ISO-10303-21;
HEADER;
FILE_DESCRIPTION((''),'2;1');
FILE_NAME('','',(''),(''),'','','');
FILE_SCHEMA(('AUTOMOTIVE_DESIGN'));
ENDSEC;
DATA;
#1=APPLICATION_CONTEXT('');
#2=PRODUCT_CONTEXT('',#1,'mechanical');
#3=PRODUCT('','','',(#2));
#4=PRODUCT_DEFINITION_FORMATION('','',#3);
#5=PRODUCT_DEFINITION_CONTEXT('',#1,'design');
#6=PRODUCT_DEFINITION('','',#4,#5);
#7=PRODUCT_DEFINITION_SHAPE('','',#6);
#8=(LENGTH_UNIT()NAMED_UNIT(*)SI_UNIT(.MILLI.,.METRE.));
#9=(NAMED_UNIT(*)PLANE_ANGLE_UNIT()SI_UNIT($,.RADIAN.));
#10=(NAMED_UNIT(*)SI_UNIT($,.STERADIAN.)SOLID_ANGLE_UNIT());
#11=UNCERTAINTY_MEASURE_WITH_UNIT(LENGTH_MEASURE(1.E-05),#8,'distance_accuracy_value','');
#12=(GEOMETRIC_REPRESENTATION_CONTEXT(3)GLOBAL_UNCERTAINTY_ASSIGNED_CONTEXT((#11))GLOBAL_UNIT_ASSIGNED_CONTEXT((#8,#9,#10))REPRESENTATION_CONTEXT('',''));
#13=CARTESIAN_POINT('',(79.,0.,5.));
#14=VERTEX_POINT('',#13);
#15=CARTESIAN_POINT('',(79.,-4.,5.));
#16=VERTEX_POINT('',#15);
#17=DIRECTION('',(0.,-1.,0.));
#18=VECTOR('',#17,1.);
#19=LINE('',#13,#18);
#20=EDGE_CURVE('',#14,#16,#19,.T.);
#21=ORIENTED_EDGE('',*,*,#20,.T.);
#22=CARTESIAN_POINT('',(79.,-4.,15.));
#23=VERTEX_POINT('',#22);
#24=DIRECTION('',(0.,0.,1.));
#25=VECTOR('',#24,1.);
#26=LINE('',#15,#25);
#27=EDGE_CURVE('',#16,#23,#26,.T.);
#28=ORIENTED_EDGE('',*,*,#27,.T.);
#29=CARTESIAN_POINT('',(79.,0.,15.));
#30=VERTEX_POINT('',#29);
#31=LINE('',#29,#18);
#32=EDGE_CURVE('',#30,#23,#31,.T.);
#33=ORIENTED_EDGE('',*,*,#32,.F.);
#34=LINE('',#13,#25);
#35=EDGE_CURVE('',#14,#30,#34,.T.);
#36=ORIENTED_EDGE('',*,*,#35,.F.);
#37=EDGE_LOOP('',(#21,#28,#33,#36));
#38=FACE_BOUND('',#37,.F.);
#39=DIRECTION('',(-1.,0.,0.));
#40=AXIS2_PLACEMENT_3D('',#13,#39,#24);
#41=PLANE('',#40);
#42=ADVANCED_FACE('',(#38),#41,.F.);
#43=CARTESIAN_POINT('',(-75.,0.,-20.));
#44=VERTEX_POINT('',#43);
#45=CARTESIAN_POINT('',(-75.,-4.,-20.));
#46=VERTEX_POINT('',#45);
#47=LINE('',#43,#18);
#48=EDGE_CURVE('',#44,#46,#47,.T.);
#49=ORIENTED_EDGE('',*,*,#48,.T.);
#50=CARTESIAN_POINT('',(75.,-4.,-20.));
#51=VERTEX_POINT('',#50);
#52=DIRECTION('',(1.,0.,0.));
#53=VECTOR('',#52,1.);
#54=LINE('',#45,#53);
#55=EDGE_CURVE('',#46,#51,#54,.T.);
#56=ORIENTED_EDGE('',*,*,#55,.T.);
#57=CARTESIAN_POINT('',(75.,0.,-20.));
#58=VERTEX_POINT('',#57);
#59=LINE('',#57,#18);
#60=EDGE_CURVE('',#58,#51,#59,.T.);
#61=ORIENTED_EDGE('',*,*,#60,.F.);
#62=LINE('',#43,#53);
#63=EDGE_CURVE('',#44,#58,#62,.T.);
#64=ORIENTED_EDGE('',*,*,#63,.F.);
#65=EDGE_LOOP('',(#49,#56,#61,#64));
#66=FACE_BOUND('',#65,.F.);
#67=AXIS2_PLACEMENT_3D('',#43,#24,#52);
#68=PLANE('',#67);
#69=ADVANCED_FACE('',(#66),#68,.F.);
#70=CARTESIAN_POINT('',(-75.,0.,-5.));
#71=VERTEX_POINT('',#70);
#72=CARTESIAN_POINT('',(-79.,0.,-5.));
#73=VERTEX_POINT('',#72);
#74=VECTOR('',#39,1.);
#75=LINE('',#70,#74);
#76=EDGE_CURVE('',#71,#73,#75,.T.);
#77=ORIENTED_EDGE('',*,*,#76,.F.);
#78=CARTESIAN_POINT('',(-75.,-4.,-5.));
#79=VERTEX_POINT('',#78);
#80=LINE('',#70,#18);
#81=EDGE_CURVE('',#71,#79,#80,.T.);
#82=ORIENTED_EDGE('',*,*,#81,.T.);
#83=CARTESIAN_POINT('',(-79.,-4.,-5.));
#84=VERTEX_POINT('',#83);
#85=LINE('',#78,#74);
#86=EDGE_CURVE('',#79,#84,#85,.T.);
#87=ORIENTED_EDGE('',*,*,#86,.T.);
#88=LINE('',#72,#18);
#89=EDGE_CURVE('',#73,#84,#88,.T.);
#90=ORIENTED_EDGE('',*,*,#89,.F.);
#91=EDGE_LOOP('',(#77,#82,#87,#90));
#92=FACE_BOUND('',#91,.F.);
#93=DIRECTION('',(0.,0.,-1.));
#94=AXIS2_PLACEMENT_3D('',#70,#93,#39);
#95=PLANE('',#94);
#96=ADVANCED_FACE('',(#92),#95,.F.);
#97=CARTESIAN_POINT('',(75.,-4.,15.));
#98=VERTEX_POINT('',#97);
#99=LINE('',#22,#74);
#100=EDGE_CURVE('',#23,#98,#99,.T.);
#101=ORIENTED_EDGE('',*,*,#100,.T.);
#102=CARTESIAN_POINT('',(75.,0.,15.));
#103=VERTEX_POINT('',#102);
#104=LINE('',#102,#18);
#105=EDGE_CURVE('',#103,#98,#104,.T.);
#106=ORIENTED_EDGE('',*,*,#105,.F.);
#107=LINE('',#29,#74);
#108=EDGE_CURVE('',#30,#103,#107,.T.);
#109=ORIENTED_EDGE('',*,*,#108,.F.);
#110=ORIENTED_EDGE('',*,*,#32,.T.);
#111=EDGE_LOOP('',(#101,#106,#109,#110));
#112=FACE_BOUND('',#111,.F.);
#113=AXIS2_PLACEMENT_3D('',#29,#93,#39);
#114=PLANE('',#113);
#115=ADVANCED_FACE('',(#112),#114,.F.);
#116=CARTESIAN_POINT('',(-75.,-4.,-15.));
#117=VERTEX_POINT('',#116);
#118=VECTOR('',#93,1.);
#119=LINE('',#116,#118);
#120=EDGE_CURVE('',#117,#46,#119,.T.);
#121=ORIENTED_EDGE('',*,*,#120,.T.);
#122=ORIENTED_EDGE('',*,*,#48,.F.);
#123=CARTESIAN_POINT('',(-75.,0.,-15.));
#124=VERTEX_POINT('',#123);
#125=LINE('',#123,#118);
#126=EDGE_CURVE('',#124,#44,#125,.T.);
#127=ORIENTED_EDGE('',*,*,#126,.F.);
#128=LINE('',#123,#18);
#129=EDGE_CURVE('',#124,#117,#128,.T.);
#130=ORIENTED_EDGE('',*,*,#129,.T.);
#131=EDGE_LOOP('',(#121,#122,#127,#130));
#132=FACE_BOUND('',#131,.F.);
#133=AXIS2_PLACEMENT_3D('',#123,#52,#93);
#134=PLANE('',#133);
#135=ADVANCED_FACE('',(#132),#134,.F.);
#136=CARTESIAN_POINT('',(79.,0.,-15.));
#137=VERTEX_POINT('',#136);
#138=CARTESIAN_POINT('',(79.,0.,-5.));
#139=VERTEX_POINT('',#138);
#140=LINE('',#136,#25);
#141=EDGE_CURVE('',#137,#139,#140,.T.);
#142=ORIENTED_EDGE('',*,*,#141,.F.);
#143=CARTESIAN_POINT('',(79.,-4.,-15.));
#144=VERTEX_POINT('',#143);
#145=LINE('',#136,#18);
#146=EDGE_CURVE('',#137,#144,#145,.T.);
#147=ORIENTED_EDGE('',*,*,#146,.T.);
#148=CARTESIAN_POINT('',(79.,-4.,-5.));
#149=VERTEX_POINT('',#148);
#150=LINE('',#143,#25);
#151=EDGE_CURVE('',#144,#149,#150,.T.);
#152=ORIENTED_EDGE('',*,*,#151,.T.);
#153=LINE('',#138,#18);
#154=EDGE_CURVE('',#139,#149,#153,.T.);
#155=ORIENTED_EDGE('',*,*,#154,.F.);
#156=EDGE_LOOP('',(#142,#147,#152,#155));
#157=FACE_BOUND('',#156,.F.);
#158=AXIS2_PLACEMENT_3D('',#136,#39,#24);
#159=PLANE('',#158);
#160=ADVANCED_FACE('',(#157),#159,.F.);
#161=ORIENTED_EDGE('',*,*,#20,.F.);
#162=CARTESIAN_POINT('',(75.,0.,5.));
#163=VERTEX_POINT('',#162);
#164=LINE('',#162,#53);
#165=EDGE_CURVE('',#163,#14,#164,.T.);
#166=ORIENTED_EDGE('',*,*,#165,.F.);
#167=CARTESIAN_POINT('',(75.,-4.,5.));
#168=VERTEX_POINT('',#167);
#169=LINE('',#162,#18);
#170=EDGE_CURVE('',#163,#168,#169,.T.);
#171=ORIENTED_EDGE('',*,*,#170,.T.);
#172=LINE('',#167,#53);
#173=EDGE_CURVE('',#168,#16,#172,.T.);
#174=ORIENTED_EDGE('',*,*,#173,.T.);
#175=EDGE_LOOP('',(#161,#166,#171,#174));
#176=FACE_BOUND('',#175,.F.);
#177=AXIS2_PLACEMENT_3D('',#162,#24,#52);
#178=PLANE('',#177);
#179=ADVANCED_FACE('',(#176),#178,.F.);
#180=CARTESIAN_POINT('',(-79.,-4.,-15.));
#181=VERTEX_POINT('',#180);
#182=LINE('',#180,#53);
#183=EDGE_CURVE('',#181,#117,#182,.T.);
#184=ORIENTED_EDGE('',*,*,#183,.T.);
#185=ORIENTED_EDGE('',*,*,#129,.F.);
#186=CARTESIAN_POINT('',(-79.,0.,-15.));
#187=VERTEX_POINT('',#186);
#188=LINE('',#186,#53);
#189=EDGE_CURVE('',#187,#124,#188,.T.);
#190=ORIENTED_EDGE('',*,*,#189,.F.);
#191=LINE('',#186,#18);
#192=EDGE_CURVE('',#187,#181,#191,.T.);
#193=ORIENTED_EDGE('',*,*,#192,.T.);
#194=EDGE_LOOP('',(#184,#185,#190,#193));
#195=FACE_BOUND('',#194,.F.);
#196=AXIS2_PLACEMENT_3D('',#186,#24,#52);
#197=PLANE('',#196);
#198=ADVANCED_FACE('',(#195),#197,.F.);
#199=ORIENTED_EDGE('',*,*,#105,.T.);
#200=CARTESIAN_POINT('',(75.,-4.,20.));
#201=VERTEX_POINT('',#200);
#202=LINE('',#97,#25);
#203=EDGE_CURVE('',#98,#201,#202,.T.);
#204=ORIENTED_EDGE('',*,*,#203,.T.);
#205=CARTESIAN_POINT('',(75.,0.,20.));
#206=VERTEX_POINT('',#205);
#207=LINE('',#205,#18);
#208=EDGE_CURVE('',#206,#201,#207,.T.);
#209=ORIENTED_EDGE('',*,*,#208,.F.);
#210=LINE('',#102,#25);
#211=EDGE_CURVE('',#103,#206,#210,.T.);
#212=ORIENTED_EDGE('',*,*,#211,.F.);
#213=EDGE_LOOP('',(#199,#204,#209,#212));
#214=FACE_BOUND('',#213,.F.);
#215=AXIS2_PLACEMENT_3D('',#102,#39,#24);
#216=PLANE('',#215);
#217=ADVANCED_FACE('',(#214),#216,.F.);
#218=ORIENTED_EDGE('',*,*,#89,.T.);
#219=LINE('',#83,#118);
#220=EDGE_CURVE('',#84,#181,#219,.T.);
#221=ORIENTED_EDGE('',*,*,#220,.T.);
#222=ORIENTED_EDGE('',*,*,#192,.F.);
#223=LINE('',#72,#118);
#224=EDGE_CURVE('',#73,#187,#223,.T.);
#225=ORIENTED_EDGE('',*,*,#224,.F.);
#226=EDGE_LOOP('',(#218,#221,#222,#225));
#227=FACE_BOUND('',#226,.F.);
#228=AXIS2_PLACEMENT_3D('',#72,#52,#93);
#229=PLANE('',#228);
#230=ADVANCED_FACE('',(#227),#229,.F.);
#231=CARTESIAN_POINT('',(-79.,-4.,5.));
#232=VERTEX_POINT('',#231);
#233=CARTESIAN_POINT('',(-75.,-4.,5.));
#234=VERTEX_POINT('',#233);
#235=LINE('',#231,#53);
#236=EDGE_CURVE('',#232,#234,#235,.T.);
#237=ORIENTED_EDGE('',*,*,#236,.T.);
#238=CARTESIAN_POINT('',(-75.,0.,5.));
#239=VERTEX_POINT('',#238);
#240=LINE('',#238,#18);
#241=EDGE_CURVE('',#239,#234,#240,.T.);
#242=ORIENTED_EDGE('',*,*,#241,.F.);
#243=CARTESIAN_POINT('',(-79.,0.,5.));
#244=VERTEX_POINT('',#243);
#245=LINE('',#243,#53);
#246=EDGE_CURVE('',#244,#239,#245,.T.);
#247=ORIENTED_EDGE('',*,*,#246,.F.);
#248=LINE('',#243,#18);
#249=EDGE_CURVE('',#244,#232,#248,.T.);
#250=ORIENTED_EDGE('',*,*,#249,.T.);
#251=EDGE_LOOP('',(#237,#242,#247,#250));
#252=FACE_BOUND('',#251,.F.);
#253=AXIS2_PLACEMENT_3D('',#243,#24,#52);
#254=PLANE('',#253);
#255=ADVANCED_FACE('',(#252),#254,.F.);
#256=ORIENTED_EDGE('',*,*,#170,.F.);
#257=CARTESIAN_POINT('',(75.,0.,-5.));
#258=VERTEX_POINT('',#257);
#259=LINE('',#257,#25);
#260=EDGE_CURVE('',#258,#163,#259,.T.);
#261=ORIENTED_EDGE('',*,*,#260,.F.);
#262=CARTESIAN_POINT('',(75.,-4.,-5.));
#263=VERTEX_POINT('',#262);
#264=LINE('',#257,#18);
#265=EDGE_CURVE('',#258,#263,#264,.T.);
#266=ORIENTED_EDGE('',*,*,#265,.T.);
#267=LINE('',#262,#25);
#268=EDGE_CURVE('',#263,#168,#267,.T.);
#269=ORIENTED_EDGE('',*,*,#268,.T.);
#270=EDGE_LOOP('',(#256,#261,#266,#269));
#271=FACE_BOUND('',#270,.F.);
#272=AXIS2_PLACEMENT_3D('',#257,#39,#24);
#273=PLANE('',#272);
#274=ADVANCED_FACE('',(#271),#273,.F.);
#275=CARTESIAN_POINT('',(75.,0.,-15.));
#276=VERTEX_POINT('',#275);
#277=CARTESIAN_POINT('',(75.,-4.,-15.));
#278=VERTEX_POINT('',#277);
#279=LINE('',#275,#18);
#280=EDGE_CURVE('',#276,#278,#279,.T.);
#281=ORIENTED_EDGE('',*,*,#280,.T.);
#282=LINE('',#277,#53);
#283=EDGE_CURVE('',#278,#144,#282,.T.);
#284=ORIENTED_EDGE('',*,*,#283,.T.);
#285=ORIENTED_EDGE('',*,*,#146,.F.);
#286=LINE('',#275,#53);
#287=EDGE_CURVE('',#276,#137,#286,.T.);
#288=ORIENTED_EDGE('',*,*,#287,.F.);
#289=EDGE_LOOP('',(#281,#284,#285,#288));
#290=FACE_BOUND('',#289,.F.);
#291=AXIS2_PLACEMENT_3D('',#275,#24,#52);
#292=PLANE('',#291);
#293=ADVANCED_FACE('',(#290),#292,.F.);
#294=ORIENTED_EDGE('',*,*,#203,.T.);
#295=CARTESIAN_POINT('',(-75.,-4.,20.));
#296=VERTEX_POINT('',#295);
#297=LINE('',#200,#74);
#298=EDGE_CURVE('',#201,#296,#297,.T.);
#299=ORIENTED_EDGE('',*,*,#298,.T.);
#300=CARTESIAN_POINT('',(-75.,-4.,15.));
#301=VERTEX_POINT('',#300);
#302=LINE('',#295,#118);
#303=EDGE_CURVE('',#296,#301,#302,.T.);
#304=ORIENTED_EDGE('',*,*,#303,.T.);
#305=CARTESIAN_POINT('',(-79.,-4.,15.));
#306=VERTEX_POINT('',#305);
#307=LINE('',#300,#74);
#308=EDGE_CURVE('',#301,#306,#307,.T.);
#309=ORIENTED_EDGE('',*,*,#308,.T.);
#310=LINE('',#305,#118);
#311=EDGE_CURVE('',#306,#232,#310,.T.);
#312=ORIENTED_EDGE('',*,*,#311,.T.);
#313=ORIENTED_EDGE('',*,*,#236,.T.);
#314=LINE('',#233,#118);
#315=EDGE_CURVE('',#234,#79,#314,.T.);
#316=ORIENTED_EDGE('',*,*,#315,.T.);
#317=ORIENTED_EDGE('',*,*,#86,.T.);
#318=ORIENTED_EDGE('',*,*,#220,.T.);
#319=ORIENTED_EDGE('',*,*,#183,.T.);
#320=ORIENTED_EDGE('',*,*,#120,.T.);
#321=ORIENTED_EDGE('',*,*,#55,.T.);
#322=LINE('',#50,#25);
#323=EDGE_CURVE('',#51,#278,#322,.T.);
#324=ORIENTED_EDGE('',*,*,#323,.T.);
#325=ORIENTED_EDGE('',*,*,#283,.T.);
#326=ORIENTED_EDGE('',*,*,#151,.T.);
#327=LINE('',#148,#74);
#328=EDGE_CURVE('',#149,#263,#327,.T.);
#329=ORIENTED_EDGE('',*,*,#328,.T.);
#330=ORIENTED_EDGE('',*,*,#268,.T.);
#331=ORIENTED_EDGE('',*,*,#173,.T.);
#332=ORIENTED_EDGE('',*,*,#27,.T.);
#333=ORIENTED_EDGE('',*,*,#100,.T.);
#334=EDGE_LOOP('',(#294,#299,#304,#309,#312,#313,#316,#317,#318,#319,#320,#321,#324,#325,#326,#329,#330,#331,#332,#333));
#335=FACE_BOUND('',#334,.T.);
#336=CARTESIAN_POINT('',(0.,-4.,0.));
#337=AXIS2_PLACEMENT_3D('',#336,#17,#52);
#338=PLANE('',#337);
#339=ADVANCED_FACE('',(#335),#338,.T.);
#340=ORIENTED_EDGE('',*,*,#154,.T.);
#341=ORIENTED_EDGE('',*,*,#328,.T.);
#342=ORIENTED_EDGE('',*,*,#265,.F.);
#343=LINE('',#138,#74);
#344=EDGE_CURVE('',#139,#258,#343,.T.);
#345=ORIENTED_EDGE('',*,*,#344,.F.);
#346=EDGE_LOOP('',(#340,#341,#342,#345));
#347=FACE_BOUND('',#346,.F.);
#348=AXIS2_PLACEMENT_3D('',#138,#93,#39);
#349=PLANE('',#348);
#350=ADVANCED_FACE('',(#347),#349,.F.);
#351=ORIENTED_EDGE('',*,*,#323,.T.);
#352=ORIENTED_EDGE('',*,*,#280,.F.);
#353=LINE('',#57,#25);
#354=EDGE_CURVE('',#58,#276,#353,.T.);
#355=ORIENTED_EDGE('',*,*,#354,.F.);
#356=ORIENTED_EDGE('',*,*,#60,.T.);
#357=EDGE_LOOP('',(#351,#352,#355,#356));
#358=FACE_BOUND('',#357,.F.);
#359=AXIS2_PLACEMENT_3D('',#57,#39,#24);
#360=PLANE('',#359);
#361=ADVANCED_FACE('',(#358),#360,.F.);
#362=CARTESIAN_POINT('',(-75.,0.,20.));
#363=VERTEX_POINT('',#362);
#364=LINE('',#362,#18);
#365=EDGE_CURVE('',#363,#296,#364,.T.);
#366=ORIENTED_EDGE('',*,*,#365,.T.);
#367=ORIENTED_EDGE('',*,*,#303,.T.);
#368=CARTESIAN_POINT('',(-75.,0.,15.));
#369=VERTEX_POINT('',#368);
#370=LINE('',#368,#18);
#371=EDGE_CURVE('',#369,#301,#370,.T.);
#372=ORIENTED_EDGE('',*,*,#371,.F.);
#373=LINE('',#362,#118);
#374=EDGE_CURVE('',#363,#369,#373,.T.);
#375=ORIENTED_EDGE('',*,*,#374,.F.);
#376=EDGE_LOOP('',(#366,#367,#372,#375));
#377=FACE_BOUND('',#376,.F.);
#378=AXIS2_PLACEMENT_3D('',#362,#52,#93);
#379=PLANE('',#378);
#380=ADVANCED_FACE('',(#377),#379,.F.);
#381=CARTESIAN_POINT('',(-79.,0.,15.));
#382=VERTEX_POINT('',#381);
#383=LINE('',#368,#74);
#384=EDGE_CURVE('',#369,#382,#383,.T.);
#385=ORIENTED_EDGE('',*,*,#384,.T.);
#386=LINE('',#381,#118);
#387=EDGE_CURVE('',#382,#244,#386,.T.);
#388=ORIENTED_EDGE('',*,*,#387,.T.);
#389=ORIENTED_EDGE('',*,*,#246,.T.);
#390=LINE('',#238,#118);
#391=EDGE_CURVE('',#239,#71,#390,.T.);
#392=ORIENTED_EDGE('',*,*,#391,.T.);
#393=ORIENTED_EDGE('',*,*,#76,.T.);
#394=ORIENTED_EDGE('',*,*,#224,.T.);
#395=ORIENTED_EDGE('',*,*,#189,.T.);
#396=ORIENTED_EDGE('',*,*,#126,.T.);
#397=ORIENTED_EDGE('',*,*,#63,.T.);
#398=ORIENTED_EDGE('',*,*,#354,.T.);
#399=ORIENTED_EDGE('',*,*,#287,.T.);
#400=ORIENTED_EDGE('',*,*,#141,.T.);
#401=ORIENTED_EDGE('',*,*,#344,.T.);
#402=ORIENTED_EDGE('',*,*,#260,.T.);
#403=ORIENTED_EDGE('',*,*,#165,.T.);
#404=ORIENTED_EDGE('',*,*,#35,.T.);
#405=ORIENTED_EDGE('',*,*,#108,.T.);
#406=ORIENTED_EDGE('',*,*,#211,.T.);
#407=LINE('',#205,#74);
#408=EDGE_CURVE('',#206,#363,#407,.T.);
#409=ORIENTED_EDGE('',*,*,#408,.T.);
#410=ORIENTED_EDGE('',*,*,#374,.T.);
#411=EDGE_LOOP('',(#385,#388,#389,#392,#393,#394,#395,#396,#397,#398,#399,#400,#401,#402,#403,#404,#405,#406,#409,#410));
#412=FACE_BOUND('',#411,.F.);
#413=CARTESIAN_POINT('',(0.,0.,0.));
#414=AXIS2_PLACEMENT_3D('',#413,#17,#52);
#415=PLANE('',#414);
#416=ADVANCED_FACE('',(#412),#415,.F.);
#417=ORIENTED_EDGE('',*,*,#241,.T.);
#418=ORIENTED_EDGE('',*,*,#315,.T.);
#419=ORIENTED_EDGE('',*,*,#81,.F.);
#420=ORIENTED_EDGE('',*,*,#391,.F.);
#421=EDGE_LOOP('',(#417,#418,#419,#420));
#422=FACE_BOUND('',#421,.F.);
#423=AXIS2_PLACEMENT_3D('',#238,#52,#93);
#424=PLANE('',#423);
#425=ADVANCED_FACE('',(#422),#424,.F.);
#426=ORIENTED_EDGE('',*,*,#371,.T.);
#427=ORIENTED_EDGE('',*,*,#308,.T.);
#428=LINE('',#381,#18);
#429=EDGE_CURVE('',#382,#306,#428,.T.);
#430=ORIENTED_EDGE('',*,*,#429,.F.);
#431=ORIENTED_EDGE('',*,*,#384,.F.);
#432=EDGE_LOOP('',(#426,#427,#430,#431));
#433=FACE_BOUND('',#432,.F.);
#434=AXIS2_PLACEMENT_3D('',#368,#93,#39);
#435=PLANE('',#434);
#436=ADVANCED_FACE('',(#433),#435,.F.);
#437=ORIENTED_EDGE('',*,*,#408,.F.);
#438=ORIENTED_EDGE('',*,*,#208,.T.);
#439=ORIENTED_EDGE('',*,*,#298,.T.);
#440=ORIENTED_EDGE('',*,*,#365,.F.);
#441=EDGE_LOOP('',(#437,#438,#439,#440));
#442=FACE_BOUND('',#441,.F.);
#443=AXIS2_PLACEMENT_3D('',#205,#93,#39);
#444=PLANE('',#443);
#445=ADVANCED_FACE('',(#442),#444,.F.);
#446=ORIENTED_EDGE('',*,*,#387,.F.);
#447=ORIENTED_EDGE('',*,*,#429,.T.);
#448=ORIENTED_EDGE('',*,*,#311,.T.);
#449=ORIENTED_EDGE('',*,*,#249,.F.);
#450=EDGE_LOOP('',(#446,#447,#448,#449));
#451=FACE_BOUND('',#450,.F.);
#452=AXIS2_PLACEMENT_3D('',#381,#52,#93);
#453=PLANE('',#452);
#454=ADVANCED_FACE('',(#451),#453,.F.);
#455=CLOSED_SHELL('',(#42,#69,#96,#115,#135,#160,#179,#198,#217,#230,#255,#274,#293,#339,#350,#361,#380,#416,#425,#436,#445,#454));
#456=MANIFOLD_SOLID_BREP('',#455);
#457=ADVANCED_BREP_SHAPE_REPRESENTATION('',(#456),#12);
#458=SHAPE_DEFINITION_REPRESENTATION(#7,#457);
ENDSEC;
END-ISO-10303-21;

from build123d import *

# Parameters (mm, degrees)
F1_DEPTH = 4


with BuildPart() as f1:
    # F0 (on Front) → F1 (new body)
    with BuildSketch(Plane.XZ):
        Polygon((75, 15), (75, 20), (0, 20), (-75, 20), (-75, 15), (-79, 15), (-79, 5), (-75, 5), (-75, -5), (-79, -5), (-79, -15), (-75, -15), (-75, -20), (75, -20), (75, -15), (79, -15), (79, -5), (75, -5), (75, 5), (79, 5), (79, 15), align=None)
    extrude(amount=F1_DEPTH)


solid = f1.part
